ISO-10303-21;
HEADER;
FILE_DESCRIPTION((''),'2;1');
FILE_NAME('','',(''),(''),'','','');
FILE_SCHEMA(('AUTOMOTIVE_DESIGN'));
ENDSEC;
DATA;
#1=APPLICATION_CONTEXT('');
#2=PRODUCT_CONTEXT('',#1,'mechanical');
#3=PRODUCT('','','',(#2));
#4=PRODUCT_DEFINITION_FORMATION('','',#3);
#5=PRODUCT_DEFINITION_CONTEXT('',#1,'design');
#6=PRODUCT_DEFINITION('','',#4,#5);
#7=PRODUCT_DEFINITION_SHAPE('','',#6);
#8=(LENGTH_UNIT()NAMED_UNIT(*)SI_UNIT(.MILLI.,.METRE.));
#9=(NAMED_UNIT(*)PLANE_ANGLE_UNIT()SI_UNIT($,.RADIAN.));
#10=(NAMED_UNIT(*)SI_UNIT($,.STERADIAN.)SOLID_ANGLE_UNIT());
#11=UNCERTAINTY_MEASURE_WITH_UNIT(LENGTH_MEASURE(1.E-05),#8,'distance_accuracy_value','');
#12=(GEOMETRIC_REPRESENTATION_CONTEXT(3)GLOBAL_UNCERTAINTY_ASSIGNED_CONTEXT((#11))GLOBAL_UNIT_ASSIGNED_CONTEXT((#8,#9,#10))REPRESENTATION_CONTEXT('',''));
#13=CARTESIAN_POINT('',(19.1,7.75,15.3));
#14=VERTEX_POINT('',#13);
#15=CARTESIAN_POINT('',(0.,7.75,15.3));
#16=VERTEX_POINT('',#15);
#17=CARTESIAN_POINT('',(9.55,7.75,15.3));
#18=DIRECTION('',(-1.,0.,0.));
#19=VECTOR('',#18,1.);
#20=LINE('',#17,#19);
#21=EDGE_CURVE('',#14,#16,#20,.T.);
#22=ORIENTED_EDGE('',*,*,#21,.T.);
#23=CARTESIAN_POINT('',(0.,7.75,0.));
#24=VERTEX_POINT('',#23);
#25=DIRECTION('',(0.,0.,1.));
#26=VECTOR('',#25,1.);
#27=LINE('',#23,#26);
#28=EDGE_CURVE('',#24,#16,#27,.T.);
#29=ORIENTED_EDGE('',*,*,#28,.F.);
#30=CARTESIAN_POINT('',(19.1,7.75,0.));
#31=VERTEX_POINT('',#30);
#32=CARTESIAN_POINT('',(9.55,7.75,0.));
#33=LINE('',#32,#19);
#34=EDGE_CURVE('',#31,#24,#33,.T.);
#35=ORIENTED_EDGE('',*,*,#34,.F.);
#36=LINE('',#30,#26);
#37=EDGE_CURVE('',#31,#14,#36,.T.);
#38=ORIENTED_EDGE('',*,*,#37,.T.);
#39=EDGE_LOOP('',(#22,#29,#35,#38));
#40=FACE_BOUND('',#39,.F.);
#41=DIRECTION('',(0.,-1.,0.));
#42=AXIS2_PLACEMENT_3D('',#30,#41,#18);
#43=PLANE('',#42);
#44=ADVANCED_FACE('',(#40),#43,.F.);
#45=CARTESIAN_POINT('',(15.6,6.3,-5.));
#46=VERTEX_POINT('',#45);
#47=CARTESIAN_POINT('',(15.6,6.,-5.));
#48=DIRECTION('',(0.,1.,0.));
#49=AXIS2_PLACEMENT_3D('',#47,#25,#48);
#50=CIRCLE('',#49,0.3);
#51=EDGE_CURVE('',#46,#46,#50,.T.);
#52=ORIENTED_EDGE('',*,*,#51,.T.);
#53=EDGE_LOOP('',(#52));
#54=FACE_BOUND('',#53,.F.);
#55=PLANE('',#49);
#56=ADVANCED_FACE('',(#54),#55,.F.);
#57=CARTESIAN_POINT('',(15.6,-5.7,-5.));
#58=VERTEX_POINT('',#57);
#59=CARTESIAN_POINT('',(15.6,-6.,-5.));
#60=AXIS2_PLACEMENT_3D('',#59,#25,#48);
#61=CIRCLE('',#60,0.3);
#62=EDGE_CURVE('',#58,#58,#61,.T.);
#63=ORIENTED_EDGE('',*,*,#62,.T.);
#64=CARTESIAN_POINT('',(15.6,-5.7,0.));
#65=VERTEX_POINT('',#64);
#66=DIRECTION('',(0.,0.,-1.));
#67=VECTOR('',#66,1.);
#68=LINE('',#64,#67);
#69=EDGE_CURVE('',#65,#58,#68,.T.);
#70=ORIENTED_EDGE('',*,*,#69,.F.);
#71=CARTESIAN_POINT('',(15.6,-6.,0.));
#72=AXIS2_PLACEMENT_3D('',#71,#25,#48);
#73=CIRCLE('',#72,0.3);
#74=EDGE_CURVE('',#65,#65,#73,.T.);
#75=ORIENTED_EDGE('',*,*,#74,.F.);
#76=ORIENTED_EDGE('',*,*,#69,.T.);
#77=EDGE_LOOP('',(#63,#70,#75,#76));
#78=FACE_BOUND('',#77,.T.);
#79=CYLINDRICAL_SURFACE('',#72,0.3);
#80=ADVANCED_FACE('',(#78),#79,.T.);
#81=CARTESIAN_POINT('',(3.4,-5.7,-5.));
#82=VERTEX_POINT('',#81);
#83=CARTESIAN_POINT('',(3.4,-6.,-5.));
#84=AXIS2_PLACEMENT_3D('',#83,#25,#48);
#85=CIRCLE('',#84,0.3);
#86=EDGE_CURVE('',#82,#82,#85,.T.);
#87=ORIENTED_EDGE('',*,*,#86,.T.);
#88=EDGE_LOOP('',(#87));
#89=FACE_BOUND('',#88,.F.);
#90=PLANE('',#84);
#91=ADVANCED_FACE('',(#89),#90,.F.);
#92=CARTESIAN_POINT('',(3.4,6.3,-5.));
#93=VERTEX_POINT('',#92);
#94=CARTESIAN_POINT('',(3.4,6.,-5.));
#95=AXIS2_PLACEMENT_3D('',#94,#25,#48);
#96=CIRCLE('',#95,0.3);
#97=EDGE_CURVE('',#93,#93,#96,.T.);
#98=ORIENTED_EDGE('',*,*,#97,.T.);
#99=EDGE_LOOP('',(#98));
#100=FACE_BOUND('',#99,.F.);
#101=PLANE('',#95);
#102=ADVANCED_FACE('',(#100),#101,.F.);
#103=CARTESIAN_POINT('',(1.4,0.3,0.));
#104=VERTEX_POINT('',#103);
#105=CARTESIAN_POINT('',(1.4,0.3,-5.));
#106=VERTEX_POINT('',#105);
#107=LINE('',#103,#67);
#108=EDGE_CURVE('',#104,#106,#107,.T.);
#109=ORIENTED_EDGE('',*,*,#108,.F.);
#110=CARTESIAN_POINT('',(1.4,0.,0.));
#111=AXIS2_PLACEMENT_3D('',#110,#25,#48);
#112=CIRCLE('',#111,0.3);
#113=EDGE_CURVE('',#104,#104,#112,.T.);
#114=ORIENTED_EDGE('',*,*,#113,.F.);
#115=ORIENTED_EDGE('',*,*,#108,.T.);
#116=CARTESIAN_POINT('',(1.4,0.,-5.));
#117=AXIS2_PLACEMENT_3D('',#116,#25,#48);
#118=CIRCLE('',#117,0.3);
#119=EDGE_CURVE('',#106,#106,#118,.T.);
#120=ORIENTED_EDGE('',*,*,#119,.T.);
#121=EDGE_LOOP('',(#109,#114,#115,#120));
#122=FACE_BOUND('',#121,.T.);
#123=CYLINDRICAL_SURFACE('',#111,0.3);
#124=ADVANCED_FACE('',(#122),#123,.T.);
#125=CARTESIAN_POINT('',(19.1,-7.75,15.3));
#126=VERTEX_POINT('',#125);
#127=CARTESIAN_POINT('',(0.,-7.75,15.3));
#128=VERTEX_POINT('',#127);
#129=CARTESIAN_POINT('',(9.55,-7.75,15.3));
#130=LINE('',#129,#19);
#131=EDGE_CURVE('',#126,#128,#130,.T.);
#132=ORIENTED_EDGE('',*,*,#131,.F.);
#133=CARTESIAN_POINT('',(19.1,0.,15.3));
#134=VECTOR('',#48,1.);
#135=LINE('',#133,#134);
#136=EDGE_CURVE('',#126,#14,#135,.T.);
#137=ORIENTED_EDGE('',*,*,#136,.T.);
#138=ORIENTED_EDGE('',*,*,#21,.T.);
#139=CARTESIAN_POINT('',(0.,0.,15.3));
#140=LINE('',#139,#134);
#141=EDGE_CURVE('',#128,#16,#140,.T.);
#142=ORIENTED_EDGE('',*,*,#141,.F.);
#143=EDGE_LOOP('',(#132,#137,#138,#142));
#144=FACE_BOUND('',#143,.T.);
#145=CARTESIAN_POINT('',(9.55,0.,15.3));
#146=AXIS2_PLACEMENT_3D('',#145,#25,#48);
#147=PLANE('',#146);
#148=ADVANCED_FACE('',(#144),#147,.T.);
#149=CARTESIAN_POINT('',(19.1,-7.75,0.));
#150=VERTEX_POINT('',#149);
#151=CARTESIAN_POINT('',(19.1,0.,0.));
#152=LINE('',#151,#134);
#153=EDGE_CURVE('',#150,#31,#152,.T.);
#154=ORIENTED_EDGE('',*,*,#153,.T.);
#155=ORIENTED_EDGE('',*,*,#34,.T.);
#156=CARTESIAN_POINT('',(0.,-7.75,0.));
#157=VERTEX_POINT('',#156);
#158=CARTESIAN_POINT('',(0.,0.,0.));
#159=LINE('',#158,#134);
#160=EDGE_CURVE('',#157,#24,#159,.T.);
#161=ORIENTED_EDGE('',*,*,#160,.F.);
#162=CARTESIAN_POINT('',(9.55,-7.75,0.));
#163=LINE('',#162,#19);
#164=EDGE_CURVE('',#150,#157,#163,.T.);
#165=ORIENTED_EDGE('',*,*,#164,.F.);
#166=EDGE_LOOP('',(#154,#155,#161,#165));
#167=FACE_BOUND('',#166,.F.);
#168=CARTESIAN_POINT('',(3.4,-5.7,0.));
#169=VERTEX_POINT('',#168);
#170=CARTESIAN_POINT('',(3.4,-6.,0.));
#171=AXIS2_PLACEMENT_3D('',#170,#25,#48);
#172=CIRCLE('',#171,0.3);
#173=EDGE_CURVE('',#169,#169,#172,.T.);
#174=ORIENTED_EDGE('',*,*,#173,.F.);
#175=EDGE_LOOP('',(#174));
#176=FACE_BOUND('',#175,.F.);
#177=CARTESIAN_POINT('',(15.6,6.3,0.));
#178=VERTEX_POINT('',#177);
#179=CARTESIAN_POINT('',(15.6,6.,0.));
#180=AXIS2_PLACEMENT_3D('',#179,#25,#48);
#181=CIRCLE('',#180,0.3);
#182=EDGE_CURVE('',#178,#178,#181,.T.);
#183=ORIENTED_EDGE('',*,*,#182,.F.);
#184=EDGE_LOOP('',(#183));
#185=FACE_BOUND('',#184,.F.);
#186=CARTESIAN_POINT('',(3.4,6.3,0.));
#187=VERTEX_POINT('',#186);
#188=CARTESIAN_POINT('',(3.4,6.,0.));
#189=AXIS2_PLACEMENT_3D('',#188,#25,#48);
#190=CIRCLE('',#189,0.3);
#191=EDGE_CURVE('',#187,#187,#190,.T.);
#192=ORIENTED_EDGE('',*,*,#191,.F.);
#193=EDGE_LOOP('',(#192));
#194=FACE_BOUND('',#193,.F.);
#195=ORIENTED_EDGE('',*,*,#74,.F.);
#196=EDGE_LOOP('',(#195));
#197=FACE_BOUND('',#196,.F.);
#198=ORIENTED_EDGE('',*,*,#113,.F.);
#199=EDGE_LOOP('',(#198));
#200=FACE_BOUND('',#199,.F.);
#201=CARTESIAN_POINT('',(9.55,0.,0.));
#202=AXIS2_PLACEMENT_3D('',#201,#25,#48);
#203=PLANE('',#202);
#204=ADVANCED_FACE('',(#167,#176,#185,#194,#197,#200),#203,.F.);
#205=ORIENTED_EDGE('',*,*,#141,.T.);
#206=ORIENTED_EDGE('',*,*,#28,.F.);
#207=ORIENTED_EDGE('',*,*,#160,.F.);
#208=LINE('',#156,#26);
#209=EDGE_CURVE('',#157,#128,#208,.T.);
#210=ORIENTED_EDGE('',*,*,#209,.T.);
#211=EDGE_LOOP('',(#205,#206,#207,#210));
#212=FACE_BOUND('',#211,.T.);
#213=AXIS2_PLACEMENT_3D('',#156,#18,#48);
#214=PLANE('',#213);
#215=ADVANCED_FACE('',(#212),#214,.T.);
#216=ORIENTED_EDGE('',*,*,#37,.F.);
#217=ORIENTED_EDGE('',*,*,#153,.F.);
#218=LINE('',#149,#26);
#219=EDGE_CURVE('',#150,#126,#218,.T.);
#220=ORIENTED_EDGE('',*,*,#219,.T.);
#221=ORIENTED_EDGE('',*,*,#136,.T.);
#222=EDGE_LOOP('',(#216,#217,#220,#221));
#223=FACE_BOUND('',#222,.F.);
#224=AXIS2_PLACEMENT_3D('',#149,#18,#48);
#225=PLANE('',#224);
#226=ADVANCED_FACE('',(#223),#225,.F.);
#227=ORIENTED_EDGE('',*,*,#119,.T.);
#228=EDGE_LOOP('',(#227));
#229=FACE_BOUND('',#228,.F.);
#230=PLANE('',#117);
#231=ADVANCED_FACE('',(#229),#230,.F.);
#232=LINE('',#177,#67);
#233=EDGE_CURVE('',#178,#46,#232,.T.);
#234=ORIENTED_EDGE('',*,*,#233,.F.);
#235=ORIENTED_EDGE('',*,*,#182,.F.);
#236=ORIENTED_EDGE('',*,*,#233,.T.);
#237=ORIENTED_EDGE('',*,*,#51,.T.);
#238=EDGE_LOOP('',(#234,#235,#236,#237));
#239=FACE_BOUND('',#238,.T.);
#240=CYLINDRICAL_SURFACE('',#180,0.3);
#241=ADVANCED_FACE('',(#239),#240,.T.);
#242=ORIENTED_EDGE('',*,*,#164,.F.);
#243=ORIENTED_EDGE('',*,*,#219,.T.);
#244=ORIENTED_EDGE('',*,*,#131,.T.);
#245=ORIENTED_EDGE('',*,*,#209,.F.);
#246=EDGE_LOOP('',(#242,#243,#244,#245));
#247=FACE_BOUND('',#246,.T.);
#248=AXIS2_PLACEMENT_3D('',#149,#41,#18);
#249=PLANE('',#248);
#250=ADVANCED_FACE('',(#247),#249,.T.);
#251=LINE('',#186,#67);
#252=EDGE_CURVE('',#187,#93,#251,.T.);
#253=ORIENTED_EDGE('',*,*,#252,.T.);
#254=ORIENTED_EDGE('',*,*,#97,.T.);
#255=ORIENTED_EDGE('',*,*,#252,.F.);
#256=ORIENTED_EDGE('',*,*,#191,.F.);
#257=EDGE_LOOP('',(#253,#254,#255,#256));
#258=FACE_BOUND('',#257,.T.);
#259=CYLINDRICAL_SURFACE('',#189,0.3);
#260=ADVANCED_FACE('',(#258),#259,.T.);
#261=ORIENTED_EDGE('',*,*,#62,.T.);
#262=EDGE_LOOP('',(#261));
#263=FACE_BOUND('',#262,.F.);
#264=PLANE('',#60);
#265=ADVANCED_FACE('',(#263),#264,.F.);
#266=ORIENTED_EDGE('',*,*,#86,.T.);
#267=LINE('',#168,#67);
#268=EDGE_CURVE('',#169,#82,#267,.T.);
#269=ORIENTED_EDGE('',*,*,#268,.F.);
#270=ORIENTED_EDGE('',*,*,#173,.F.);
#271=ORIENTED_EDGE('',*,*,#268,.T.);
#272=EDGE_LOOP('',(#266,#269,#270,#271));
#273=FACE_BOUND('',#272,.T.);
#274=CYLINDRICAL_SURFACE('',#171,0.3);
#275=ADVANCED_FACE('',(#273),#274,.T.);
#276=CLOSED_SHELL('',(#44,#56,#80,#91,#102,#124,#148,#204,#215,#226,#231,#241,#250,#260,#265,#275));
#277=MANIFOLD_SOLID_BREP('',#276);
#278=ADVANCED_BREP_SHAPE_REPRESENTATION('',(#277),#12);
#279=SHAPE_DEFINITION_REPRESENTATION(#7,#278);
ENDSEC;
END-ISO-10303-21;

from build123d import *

# Parameters (mm, degrees)
BINDER_W     = 15.5
BINDER_H     = 19.1
PAD_DEPTH    = 15.3
BINDER001_R  = 0.3
PAD001_DEPTH = 5


with BuildPart() as part:
    # Binder → Pad (new body)
    with BuildSketch(Plane(origin=(9.55, 0, 0), x_dir=(0, 1, 0), z_dir=(0, 0, 1))):
        Rectangle(BINDER_W, BINDER_H)
    extrude(amount=PAD_DEPTH)

    # Binder001 → Pad001 (join)
    with BuildSketch(Plane(origin=(15.6, -6, 0), x_dir=(0, 1, 0), z_dir=(0, 0, 1))):
        Circle(BINDER001_R)
        with Locations((12, 0)):
            Circle(BINDER001_R)
        with Locations((0, 12.2)):
            Circle(BINDER001_R)
        with Locations((12, 12.2)):
            Circle(BINDER001_R)
        with Locations((6, 14.2)):
            Circle(BINDER001_R)
    extrude(amount=-PAD001_DEPTH)


solid = part.part
